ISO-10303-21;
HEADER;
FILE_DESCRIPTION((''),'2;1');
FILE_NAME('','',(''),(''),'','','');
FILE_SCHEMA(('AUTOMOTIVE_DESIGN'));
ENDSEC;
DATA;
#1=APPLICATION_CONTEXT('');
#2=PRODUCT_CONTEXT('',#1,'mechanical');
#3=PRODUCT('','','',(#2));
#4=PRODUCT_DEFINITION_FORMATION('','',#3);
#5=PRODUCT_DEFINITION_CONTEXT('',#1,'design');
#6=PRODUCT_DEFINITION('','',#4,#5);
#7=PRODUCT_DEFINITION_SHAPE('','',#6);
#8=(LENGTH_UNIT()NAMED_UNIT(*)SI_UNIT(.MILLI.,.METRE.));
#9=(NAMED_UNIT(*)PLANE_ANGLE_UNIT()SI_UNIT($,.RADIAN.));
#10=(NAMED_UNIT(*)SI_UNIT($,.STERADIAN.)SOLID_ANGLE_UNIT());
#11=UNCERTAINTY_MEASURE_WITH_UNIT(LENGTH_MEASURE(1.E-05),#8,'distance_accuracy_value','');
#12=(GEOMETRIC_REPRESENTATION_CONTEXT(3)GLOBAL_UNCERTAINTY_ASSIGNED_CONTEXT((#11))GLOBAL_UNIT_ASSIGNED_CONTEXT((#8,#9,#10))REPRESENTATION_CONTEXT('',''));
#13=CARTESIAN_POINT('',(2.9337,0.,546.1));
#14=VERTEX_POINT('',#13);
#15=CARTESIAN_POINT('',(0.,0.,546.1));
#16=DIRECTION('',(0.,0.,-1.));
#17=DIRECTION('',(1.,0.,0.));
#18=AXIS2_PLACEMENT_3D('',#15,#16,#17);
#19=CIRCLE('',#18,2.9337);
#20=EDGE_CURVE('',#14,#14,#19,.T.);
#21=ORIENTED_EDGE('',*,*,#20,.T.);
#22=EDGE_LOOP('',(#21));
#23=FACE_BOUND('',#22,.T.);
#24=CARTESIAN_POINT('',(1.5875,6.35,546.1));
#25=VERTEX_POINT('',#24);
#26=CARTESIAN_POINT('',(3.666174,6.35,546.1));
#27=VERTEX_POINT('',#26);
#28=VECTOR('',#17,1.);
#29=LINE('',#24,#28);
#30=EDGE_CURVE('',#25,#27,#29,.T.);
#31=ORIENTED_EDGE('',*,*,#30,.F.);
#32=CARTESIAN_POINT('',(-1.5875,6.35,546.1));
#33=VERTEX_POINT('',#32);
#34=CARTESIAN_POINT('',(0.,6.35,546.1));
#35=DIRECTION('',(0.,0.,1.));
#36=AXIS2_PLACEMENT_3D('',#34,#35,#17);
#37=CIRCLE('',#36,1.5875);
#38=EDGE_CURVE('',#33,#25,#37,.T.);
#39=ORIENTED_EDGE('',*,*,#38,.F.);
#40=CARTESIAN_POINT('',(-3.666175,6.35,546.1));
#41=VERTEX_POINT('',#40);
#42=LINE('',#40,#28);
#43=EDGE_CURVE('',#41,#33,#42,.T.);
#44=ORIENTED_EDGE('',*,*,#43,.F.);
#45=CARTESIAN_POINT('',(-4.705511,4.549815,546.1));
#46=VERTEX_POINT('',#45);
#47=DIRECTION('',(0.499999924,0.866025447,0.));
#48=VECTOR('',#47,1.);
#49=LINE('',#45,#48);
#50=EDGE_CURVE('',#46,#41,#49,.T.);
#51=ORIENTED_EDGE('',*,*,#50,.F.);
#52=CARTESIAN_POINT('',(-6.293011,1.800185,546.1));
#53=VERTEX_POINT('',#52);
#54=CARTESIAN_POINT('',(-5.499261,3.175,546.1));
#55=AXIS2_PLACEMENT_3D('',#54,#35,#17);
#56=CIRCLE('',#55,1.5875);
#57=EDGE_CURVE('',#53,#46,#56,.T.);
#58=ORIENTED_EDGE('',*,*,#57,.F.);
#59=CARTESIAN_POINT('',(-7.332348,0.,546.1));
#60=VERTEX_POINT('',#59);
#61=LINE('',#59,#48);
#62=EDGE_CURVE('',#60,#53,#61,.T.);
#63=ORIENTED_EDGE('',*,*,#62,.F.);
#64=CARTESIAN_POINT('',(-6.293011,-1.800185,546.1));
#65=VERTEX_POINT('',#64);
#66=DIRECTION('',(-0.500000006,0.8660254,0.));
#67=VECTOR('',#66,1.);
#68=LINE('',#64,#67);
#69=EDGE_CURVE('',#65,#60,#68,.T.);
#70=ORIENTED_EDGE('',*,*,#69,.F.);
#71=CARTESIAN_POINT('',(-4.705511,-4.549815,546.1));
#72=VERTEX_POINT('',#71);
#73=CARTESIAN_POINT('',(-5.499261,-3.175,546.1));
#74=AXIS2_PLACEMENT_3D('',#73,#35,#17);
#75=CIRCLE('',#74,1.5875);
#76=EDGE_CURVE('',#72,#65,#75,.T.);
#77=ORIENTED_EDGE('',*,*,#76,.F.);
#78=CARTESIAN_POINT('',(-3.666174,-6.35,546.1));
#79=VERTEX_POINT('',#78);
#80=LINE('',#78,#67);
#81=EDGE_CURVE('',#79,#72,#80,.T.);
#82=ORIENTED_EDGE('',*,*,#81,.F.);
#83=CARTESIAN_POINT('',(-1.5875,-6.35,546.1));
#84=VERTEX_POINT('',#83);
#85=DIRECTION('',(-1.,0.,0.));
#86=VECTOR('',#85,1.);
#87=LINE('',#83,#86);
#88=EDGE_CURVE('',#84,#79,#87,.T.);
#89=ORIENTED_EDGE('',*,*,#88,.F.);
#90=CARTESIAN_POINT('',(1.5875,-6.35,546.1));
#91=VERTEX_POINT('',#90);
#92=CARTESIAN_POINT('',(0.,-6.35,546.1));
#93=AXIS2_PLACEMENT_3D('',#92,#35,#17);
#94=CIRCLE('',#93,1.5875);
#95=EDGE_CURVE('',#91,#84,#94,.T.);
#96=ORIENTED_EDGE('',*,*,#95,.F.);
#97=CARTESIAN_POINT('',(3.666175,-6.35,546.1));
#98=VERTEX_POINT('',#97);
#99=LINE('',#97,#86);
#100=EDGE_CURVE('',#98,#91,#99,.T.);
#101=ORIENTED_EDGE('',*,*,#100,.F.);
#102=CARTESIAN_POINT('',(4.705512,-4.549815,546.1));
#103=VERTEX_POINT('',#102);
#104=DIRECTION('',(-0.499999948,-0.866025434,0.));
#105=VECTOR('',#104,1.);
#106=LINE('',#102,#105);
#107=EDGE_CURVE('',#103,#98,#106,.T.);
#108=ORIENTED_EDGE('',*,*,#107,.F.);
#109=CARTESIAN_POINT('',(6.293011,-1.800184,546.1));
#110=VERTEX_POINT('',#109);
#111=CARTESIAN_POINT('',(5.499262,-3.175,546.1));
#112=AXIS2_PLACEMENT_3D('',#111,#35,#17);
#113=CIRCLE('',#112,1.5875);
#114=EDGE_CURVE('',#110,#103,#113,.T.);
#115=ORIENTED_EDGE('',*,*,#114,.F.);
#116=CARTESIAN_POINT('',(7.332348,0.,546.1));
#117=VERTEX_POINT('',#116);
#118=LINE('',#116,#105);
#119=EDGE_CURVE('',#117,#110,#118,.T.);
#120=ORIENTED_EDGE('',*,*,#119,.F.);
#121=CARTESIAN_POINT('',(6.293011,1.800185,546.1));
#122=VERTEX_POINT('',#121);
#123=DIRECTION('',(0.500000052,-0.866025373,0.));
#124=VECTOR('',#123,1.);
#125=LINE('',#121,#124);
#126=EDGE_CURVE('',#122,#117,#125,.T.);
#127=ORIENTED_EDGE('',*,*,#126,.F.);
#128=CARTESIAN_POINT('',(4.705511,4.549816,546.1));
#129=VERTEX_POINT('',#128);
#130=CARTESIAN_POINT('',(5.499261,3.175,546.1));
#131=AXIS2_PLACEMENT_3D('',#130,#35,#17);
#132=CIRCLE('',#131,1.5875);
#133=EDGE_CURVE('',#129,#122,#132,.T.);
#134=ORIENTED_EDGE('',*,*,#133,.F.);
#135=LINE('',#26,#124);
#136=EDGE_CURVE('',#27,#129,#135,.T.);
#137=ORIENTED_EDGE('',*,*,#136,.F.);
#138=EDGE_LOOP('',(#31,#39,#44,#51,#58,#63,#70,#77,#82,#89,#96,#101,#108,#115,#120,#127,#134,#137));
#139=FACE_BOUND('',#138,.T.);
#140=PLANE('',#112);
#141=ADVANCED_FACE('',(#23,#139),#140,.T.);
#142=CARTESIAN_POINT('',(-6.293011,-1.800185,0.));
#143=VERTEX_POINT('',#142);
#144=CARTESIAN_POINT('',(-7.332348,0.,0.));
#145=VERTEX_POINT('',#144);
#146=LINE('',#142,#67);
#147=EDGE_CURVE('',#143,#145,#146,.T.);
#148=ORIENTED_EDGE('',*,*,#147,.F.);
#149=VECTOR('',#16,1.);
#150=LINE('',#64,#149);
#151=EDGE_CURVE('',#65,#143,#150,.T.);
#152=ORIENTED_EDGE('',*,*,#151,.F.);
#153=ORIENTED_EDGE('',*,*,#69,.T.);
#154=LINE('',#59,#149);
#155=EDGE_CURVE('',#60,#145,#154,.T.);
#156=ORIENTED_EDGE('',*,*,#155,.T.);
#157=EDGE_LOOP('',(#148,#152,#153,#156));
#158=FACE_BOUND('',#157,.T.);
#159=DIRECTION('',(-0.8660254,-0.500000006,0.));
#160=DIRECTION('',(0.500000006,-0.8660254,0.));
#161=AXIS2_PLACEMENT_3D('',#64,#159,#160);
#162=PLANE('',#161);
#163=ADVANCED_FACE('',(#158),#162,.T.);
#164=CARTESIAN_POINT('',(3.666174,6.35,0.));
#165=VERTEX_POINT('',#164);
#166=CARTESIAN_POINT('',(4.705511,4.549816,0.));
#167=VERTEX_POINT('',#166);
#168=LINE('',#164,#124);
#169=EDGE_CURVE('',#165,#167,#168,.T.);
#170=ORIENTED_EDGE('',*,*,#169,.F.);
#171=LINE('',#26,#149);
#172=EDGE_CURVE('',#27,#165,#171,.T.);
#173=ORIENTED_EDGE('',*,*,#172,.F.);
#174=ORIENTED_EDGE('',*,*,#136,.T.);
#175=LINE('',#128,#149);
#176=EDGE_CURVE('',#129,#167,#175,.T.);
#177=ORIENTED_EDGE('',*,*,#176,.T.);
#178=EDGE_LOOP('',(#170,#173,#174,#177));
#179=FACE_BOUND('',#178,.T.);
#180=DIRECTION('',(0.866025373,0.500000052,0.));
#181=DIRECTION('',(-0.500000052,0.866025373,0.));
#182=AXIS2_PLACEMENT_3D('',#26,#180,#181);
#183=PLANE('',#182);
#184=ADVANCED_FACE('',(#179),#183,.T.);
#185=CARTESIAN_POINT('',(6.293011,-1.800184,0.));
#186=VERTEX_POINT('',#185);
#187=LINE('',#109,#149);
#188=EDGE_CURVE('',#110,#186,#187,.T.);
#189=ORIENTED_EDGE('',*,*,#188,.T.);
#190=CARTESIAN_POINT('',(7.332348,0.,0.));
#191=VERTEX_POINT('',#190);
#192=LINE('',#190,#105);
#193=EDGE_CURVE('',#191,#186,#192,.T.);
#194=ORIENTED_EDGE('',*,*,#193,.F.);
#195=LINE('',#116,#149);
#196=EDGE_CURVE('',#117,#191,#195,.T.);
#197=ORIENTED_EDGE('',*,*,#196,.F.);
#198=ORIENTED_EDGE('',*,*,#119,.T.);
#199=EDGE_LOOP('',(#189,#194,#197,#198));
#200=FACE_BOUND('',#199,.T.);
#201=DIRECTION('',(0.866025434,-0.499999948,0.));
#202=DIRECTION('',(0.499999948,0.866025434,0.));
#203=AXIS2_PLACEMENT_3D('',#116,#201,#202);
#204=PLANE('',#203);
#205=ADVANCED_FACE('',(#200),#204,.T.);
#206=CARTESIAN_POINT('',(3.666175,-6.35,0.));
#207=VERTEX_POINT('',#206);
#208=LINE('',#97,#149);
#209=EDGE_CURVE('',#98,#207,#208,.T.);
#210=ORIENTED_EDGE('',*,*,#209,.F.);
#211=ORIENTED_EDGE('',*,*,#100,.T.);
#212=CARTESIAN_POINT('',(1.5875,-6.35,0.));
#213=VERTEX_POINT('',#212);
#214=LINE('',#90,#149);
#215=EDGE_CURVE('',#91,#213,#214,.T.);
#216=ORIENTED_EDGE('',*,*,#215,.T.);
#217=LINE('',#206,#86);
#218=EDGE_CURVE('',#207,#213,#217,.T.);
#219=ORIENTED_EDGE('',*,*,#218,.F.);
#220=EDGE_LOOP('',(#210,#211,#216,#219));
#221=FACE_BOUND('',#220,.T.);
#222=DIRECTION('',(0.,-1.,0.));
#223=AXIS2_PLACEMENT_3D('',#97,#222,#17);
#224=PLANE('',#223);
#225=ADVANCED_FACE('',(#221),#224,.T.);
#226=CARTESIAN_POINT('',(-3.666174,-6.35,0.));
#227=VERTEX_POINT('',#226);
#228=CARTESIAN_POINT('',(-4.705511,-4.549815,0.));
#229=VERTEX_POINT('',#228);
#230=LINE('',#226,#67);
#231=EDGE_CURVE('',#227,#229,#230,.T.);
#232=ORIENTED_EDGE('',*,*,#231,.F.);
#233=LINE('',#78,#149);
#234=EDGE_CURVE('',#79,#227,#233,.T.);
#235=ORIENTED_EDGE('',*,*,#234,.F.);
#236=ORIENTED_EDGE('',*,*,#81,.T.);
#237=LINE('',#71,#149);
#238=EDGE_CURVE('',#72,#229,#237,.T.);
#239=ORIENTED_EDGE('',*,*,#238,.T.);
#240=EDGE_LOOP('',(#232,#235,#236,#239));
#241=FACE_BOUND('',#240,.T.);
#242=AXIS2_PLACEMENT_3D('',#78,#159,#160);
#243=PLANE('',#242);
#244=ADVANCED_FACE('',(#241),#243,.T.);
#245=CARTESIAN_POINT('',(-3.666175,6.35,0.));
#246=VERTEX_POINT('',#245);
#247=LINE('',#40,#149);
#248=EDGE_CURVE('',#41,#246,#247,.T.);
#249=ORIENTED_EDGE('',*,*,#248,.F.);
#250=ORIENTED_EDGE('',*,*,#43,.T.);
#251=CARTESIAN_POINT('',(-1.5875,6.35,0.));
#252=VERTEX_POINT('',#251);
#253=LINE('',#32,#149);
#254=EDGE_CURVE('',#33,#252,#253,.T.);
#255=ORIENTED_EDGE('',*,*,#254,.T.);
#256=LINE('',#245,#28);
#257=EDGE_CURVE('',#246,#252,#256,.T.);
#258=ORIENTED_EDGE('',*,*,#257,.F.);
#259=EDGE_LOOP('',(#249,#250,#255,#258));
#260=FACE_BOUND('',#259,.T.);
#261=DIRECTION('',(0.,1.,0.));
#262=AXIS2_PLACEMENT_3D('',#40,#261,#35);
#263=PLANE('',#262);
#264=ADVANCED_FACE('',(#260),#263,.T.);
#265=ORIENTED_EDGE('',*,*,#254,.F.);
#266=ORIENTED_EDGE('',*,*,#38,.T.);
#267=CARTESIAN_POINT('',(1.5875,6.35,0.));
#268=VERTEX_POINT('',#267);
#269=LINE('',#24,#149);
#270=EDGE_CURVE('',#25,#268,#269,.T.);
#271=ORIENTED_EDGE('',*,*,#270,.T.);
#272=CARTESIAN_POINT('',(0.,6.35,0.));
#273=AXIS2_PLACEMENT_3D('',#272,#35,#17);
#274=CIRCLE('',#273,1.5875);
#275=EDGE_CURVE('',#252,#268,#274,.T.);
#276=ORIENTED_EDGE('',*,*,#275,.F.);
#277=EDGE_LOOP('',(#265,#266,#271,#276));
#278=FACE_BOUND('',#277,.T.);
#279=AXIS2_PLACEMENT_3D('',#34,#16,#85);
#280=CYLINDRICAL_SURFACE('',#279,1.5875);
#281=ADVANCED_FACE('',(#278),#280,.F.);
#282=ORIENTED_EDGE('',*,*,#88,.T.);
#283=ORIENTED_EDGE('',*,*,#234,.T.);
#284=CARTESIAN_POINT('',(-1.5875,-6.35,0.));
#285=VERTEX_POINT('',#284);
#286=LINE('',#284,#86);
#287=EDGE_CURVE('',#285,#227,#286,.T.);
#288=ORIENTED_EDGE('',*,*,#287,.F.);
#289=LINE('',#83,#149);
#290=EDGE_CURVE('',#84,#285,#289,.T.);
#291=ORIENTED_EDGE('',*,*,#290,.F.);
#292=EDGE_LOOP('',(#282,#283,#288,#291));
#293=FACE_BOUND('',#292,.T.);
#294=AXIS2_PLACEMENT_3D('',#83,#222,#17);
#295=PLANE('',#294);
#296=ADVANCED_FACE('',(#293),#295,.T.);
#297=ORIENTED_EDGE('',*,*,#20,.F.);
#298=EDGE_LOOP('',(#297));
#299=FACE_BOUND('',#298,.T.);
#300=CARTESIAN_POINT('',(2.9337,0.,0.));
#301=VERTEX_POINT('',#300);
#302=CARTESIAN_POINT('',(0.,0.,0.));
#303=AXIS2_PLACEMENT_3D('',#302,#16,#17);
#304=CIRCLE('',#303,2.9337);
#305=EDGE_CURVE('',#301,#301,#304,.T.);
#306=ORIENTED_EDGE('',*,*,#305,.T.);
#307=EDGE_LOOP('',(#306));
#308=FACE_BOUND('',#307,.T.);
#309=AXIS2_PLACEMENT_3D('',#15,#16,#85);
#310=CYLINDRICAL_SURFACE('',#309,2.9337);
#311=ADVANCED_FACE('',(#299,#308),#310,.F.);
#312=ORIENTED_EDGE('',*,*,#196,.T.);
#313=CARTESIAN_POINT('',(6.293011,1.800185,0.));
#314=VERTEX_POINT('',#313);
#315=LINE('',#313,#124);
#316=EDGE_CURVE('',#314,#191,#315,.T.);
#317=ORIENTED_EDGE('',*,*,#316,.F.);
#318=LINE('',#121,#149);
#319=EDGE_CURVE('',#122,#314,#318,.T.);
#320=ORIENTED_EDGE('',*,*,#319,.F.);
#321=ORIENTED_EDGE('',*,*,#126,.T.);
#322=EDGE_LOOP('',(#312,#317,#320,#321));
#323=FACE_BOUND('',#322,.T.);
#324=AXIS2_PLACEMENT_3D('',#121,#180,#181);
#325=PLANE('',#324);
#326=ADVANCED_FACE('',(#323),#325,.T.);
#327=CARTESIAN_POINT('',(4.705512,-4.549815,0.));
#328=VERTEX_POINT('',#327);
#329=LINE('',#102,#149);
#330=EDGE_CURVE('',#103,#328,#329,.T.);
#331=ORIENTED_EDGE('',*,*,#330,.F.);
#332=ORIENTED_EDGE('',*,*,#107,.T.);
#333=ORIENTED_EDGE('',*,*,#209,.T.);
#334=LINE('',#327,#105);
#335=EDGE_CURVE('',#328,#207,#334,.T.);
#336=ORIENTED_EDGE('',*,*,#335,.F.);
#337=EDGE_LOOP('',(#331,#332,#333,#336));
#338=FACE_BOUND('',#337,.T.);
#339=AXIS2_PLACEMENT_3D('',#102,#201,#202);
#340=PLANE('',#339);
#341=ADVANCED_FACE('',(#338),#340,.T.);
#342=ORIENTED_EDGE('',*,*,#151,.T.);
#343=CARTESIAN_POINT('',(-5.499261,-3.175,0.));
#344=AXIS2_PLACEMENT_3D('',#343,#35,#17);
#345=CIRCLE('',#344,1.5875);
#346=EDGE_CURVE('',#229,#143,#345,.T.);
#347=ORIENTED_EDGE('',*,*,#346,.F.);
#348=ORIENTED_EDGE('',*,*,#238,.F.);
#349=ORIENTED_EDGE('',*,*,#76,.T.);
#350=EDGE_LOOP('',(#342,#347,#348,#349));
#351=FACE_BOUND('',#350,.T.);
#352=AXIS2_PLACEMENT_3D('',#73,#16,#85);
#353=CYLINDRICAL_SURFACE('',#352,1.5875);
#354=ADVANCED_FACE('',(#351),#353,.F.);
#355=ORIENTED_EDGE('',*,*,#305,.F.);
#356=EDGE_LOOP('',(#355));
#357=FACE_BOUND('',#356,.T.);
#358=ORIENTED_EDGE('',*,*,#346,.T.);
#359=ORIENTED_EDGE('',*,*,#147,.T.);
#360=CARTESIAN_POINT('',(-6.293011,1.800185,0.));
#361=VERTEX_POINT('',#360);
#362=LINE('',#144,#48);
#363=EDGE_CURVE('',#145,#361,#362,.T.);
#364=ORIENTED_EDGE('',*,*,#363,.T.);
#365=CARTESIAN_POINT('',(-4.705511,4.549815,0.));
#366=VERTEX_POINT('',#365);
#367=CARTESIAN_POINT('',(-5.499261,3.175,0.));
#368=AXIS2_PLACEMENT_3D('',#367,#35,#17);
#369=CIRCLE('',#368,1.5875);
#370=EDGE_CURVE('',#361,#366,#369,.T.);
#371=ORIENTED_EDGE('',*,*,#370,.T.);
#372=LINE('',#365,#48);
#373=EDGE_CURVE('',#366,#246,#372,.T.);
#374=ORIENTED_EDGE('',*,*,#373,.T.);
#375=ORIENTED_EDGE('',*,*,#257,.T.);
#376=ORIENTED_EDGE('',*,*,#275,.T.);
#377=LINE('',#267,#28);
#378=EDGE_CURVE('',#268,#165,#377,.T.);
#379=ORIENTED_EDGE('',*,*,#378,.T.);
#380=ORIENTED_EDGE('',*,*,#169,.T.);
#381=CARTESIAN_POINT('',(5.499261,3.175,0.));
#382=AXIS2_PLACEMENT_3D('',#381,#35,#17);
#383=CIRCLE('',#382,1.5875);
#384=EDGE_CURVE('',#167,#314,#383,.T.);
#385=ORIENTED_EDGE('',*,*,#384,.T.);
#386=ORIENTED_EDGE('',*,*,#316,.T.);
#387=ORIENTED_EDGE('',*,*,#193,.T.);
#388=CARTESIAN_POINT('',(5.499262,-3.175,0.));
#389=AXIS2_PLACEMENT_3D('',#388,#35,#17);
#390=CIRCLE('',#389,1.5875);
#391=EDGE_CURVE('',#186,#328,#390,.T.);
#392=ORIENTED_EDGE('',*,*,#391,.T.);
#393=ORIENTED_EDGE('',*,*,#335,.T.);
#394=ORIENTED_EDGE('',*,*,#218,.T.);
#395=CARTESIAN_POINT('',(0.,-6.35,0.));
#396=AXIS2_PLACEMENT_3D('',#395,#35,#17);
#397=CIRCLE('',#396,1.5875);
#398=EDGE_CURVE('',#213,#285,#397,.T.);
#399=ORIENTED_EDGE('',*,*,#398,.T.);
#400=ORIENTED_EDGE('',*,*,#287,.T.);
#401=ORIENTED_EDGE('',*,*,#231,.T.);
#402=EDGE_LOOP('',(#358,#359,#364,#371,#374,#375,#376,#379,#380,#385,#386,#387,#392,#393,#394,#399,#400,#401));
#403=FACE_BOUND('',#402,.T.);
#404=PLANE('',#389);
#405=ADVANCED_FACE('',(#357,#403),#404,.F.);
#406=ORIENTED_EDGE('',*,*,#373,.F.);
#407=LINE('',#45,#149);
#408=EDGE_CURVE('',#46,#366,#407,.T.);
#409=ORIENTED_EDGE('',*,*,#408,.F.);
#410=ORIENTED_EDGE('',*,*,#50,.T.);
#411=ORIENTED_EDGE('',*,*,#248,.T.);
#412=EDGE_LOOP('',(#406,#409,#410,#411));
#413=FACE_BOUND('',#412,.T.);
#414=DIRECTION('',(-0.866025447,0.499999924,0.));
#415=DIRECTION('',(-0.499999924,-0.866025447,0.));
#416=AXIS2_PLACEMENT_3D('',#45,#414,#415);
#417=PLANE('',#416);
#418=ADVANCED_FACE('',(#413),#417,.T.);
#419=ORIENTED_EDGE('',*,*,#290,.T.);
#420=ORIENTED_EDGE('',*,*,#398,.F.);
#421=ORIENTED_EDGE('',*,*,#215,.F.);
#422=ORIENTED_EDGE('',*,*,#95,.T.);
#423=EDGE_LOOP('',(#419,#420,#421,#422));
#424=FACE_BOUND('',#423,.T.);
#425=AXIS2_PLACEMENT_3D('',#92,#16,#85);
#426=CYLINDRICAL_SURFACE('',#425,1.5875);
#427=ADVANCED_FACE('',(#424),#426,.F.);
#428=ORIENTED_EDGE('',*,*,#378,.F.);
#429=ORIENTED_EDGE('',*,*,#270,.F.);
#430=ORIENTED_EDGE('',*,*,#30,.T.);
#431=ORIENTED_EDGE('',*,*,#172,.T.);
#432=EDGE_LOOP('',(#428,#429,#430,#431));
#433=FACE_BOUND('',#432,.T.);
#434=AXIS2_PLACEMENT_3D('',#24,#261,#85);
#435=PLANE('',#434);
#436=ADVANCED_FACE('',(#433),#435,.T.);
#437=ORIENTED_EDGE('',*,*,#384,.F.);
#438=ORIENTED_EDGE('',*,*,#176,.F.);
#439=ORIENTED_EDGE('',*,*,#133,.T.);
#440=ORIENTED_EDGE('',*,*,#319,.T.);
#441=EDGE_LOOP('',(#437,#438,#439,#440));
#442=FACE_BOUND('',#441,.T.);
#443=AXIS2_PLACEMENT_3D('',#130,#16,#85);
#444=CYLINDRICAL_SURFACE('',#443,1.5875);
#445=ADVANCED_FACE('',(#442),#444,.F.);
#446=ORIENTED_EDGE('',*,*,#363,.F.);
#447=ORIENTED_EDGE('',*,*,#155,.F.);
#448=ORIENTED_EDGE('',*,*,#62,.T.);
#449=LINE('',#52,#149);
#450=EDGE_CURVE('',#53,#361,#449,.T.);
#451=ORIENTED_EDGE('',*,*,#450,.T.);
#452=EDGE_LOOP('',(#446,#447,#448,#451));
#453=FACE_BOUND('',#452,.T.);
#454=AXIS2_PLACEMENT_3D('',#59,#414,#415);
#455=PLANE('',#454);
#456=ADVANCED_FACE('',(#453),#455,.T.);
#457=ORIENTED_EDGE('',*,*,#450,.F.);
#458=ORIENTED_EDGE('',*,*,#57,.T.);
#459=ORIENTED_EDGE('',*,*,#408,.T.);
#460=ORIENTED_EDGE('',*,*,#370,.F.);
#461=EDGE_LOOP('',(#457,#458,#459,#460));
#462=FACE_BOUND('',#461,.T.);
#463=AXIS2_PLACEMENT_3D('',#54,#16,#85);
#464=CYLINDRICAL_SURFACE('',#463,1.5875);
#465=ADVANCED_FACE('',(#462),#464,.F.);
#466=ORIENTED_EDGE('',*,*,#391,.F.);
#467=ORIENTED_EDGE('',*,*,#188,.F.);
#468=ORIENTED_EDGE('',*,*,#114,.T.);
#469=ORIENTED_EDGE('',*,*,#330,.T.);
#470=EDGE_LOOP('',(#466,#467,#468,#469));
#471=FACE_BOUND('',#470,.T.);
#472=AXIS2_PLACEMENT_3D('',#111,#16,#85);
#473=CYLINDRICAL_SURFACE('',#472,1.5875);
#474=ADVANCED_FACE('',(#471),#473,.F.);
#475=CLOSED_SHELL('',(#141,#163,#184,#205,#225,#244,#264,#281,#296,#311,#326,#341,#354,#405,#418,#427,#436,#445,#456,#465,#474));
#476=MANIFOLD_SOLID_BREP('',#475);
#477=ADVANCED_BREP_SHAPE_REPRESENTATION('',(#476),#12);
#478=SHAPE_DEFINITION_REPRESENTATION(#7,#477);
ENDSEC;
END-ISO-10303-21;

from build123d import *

# Parameters (mm, degrees)
SKETCH1_R           = 2.9337
BOSS_EXTRUDE1_DEPTH = 546.1


with BuildPart() as part:
    # Sketch1 → Boss-Extrude1 (new body)
    with BuildSketch(Plane(origin=(0, 0, 0), x_dir=(-1, 0, 0), z_dir=(0, 0, -1))):
        with BuildLine():
            Line((-4.70551159, -4.549815043), (-3.666174521, -6.349999904))
            Line((-3.666174521, -6.349999904), (-1.587500385, -6.349999904))
            ThreePointArc((-1.587500385, -6.349999904), (-3.85e-07, -4.762499904), (1.587499615, -6.349999904))
            Line((1.587499615, -6.349999904), (3.666173825, -6.349999904))
            Line((3.666173825, -6.349999904), (4.705510942, -4.54981524))
            ThreePointArc((4.705510942, -4.54981524), (4.124445629, -2.381249907), (6.293010962, -1.800184594))
            Line((6.293010962, -1.800184594), (7.332348079, 7e-08))
            Line((7.332348079, 7e-08), (6.293011217, 1.800184685))
            ThreePointArc((6.293011217, 1.800184685), (4.124445939, 2.381250203), (4.705511457, 4.549815481))
            Line((4.705511457, 4.549815481), (3.666174521, 6.350000222))
            Line((3.666174521, 6.350000222), (1.587500385, 6.350000222))
            ThreePointArc((1.587500385, 6.350000222), (3.85e-07, 4.762500222), (-1.587499615, 6.350000222))
            Line((-1.587499615, 6.350000222), (-3.666173825, 6.350000222))
            Line((-3.666173825, 6.350000222), (-4.705511038, 4.549815614))
            ThreePointArc((-4.705511038, 4.549815614), (-4.124445841, 2.38125025), (-6.293011205, 1.800185053))
            Line((-6.293011205, 1.800185053), (-7.332348419, 4.44e-07))
            Line((-7.332348419, 4.44e-07), (-6.293011423, -1.80018429))
            ThreePointArc((-6.293011423, -1.80018429), (-4.12444613, -2.38124975), (-4.70551159, -4.549815043))
        make_face()
        Circle(SKETCH1_R, mode=Mode.SUBTRACT)
    extrude(amount=-BOSS_EXTRUDE1_DEPTH)


solid = part.part
